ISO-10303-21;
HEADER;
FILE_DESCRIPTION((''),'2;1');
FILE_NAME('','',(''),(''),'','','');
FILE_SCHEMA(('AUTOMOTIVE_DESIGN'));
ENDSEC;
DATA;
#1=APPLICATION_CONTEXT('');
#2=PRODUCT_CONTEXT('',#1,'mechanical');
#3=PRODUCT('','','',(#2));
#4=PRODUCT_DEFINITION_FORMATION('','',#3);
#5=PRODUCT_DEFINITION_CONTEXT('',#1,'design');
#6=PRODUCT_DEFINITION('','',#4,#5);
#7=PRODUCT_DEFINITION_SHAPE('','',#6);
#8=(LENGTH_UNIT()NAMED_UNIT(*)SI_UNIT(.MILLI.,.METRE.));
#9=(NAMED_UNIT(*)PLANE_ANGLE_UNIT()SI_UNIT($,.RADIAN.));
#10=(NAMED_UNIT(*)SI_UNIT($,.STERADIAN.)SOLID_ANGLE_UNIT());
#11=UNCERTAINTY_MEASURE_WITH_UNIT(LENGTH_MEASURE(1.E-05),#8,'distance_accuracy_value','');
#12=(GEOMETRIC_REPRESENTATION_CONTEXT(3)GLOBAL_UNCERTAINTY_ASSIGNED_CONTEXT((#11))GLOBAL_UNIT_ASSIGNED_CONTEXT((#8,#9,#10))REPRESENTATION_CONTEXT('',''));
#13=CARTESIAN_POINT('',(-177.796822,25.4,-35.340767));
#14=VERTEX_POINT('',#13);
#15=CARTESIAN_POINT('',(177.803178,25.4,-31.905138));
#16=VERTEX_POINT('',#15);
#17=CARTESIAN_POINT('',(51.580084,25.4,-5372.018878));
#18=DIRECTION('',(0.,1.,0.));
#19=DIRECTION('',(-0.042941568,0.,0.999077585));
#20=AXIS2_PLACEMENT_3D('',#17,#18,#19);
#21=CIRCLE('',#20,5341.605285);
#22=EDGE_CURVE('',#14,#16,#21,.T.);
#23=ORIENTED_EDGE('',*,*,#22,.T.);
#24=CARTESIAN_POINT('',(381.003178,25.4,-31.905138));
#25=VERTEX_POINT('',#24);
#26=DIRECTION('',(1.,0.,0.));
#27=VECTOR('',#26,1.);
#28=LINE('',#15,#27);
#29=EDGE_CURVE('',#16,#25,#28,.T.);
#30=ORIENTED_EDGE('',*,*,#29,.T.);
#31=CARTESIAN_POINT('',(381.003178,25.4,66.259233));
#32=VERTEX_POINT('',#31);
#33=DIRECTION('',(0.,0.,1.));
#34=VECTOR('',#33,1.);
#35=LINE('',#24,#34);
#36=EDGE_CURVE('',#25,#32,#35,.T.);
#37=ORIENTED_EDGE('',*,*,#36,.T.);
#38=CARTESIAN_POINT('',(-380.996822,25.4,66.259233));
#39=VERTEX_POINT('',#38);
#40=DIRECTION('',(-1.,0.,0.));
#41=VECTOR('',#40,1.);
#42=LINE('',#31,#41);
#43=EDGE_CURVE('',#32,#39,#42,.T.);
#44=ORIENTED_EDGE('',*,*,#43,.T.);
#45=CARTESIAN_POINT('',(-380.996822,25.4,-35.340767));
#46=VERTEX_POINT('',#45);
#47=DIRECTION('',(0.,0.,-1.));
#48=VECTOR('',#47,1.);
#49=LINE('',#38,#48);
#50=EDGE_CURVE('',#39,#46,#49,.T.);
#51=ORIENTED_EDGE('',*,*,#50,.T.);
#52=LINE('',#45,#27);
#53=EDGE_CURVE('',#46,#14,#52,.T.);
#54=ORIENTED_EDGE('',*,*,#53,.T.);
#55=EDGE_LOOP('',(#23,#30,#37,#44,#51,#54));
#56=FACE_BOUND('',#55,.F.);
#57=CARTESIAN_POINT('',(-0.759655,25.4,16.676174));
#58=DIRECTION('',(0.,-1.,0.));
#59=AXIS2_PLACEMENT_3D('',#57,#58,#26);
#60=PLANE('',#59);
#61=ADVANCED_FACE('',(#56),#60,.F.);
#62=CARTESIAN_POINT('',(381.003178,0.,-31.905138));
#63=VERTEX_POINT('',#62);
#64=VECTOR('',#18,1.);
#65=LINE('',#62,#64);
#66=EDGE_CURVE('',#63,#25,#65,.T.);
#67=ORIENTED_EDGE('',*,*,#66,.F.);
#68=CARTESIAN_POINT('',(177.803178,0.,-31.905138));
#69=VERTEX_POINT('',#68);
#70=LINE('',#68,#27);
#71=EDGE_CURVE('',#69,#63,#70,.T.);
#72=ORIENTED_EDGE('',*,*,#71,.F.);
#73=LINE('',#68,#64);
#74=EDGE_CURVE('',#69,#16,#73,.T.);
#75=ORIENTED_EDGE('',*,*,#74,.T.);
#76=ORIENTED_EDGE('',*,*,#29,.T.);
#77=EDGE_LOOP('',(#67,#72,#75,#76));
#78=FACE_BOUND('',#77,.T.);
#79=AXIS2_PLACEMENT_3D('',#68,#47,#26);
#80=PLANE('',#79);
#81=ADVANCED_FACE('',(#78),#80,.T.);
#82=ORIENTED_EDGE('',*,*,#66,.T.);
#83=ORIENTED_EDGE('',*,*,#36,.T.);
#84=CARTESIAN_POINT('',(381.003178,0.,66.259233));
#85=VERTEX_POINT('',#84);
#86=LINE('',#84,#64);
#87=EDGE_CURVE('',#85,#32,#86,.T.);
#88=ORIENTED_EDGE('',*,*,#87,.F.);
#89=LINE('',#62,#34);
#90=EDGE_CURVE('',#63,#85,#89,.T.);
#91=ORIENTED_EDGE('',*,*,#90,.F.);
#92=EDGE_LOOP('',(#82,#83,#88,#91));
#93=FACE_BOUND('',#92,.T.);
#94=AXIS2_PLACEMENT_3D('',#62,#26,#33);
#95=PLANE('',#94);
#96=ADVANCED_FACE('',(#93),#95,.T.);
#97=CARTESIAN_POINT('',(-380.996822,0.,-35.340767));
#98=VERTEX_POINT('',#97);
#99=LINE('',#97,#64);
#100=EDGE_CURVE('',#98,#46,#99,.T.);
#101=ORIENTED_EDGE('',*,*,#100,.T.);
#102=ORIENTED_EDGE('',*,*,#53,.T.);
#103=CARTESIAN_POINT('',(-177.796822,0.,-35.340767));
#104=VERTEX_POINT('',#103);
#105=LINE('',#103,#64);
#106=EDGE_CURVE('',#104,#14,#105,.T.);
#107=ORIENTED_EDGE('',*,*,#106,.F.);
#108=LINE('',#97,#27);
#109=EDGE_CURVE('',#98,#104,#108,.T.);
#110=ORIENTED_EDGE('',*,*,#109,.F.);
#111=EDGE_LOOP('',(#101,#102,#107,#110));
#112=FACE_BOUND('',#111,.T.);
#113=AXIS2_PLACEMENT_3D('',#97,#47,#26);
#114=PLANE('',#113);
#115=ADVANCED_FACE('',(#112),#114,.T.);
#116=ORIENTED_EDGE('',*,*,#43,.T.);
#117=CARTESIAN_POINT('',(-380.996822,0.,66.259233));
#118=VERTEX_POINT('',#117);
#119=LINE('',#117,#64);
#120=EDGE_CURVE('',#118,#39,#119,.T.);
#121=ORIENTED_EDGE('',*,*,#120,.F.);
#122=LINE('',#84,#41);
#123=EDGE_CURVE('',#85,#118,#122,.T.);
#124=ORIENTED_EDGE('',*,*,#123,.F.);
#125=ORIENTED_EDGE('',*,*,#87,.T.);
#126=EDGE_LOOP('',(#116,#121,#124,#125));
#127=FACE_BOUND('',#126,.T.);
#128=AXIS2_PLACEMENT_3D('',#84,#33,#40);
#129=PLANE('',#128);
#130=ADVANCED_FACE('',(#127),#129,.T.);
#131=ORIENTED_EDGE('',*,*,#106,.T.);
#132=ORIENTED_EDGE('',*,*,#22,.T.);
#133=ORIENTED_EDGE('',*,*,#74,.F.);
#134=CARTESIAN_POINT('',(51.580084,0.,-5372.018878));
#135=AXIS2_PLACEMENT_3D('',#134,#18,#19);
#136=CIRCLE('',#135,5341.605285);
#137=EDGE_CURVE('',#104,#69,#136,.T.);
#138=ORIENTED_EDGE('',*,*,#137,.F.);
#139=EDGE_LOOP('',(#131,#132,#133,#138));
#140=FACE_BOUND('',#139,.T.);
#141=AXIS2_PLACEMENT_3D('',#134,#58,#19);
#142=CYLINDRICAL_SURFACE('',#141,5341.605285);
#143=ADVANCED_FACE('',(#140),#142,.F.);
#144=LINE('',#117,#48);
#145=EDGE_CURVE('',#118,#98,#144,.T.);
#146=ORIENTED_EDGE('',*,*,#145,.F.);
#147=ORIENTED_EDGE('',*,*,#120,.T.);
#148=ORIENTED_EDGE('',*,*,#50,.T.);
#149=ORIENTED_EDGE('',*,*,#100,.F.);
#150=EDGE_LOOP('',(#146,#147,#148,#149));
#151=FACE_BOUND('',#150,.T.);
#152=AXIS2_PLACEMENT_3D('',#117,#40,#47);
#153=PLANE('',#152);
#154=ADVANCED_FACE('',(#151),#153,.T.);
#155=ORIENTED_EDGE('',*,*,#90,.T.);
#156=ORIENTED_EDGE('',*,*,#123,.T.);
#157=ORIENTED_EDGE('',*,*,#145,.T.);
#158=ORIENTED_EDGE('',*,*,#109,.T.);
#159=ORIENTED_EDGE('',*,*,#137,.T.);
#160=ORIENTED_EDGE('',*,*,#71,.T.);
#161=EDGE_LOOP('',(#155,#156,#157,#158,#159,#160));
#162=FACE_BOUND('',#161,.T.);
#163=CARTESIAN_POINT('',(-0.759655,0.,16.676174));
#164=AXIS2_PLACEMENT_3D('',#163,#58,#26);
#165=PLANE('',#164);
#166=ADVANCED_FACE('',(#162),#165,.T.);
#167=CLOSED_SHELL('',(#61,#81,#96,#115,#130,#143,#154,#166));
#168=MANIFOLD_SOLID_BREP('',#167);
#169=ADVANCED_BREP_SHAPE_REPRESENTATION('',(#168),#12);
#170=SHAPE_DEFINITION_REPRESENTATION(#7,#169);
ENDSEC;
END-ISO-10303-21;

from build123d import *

# Parameters (mm, degrees)
F1_DEPTH = 25.4


with BuildPart() as f1:
    # F0 (on Front) → F1 (new body)
    with BuildSketch(Plane.XZ):
        with BuildLine():
            Line((381.003178, 66.259233), (-380.996822, 66.259233))
            Line((-380.996822, 66.259233), (-380.996822, -35.340767))
            Line((-380.996822, -35.340767), (-177.796822, -35.340767))
            ThreePointArc((-177.796822, -35.340767), (-0.025421, -30.66288), (177.803178, -31.905138))
            Line((177.803178, -31.905138), (381.003178, -31.905138))
            Line((381.003178, -31.905138), (381.003178, 66.259233))
        make_face()
    extrude(amount=-F1_DEPTH)


solid = f1.part
